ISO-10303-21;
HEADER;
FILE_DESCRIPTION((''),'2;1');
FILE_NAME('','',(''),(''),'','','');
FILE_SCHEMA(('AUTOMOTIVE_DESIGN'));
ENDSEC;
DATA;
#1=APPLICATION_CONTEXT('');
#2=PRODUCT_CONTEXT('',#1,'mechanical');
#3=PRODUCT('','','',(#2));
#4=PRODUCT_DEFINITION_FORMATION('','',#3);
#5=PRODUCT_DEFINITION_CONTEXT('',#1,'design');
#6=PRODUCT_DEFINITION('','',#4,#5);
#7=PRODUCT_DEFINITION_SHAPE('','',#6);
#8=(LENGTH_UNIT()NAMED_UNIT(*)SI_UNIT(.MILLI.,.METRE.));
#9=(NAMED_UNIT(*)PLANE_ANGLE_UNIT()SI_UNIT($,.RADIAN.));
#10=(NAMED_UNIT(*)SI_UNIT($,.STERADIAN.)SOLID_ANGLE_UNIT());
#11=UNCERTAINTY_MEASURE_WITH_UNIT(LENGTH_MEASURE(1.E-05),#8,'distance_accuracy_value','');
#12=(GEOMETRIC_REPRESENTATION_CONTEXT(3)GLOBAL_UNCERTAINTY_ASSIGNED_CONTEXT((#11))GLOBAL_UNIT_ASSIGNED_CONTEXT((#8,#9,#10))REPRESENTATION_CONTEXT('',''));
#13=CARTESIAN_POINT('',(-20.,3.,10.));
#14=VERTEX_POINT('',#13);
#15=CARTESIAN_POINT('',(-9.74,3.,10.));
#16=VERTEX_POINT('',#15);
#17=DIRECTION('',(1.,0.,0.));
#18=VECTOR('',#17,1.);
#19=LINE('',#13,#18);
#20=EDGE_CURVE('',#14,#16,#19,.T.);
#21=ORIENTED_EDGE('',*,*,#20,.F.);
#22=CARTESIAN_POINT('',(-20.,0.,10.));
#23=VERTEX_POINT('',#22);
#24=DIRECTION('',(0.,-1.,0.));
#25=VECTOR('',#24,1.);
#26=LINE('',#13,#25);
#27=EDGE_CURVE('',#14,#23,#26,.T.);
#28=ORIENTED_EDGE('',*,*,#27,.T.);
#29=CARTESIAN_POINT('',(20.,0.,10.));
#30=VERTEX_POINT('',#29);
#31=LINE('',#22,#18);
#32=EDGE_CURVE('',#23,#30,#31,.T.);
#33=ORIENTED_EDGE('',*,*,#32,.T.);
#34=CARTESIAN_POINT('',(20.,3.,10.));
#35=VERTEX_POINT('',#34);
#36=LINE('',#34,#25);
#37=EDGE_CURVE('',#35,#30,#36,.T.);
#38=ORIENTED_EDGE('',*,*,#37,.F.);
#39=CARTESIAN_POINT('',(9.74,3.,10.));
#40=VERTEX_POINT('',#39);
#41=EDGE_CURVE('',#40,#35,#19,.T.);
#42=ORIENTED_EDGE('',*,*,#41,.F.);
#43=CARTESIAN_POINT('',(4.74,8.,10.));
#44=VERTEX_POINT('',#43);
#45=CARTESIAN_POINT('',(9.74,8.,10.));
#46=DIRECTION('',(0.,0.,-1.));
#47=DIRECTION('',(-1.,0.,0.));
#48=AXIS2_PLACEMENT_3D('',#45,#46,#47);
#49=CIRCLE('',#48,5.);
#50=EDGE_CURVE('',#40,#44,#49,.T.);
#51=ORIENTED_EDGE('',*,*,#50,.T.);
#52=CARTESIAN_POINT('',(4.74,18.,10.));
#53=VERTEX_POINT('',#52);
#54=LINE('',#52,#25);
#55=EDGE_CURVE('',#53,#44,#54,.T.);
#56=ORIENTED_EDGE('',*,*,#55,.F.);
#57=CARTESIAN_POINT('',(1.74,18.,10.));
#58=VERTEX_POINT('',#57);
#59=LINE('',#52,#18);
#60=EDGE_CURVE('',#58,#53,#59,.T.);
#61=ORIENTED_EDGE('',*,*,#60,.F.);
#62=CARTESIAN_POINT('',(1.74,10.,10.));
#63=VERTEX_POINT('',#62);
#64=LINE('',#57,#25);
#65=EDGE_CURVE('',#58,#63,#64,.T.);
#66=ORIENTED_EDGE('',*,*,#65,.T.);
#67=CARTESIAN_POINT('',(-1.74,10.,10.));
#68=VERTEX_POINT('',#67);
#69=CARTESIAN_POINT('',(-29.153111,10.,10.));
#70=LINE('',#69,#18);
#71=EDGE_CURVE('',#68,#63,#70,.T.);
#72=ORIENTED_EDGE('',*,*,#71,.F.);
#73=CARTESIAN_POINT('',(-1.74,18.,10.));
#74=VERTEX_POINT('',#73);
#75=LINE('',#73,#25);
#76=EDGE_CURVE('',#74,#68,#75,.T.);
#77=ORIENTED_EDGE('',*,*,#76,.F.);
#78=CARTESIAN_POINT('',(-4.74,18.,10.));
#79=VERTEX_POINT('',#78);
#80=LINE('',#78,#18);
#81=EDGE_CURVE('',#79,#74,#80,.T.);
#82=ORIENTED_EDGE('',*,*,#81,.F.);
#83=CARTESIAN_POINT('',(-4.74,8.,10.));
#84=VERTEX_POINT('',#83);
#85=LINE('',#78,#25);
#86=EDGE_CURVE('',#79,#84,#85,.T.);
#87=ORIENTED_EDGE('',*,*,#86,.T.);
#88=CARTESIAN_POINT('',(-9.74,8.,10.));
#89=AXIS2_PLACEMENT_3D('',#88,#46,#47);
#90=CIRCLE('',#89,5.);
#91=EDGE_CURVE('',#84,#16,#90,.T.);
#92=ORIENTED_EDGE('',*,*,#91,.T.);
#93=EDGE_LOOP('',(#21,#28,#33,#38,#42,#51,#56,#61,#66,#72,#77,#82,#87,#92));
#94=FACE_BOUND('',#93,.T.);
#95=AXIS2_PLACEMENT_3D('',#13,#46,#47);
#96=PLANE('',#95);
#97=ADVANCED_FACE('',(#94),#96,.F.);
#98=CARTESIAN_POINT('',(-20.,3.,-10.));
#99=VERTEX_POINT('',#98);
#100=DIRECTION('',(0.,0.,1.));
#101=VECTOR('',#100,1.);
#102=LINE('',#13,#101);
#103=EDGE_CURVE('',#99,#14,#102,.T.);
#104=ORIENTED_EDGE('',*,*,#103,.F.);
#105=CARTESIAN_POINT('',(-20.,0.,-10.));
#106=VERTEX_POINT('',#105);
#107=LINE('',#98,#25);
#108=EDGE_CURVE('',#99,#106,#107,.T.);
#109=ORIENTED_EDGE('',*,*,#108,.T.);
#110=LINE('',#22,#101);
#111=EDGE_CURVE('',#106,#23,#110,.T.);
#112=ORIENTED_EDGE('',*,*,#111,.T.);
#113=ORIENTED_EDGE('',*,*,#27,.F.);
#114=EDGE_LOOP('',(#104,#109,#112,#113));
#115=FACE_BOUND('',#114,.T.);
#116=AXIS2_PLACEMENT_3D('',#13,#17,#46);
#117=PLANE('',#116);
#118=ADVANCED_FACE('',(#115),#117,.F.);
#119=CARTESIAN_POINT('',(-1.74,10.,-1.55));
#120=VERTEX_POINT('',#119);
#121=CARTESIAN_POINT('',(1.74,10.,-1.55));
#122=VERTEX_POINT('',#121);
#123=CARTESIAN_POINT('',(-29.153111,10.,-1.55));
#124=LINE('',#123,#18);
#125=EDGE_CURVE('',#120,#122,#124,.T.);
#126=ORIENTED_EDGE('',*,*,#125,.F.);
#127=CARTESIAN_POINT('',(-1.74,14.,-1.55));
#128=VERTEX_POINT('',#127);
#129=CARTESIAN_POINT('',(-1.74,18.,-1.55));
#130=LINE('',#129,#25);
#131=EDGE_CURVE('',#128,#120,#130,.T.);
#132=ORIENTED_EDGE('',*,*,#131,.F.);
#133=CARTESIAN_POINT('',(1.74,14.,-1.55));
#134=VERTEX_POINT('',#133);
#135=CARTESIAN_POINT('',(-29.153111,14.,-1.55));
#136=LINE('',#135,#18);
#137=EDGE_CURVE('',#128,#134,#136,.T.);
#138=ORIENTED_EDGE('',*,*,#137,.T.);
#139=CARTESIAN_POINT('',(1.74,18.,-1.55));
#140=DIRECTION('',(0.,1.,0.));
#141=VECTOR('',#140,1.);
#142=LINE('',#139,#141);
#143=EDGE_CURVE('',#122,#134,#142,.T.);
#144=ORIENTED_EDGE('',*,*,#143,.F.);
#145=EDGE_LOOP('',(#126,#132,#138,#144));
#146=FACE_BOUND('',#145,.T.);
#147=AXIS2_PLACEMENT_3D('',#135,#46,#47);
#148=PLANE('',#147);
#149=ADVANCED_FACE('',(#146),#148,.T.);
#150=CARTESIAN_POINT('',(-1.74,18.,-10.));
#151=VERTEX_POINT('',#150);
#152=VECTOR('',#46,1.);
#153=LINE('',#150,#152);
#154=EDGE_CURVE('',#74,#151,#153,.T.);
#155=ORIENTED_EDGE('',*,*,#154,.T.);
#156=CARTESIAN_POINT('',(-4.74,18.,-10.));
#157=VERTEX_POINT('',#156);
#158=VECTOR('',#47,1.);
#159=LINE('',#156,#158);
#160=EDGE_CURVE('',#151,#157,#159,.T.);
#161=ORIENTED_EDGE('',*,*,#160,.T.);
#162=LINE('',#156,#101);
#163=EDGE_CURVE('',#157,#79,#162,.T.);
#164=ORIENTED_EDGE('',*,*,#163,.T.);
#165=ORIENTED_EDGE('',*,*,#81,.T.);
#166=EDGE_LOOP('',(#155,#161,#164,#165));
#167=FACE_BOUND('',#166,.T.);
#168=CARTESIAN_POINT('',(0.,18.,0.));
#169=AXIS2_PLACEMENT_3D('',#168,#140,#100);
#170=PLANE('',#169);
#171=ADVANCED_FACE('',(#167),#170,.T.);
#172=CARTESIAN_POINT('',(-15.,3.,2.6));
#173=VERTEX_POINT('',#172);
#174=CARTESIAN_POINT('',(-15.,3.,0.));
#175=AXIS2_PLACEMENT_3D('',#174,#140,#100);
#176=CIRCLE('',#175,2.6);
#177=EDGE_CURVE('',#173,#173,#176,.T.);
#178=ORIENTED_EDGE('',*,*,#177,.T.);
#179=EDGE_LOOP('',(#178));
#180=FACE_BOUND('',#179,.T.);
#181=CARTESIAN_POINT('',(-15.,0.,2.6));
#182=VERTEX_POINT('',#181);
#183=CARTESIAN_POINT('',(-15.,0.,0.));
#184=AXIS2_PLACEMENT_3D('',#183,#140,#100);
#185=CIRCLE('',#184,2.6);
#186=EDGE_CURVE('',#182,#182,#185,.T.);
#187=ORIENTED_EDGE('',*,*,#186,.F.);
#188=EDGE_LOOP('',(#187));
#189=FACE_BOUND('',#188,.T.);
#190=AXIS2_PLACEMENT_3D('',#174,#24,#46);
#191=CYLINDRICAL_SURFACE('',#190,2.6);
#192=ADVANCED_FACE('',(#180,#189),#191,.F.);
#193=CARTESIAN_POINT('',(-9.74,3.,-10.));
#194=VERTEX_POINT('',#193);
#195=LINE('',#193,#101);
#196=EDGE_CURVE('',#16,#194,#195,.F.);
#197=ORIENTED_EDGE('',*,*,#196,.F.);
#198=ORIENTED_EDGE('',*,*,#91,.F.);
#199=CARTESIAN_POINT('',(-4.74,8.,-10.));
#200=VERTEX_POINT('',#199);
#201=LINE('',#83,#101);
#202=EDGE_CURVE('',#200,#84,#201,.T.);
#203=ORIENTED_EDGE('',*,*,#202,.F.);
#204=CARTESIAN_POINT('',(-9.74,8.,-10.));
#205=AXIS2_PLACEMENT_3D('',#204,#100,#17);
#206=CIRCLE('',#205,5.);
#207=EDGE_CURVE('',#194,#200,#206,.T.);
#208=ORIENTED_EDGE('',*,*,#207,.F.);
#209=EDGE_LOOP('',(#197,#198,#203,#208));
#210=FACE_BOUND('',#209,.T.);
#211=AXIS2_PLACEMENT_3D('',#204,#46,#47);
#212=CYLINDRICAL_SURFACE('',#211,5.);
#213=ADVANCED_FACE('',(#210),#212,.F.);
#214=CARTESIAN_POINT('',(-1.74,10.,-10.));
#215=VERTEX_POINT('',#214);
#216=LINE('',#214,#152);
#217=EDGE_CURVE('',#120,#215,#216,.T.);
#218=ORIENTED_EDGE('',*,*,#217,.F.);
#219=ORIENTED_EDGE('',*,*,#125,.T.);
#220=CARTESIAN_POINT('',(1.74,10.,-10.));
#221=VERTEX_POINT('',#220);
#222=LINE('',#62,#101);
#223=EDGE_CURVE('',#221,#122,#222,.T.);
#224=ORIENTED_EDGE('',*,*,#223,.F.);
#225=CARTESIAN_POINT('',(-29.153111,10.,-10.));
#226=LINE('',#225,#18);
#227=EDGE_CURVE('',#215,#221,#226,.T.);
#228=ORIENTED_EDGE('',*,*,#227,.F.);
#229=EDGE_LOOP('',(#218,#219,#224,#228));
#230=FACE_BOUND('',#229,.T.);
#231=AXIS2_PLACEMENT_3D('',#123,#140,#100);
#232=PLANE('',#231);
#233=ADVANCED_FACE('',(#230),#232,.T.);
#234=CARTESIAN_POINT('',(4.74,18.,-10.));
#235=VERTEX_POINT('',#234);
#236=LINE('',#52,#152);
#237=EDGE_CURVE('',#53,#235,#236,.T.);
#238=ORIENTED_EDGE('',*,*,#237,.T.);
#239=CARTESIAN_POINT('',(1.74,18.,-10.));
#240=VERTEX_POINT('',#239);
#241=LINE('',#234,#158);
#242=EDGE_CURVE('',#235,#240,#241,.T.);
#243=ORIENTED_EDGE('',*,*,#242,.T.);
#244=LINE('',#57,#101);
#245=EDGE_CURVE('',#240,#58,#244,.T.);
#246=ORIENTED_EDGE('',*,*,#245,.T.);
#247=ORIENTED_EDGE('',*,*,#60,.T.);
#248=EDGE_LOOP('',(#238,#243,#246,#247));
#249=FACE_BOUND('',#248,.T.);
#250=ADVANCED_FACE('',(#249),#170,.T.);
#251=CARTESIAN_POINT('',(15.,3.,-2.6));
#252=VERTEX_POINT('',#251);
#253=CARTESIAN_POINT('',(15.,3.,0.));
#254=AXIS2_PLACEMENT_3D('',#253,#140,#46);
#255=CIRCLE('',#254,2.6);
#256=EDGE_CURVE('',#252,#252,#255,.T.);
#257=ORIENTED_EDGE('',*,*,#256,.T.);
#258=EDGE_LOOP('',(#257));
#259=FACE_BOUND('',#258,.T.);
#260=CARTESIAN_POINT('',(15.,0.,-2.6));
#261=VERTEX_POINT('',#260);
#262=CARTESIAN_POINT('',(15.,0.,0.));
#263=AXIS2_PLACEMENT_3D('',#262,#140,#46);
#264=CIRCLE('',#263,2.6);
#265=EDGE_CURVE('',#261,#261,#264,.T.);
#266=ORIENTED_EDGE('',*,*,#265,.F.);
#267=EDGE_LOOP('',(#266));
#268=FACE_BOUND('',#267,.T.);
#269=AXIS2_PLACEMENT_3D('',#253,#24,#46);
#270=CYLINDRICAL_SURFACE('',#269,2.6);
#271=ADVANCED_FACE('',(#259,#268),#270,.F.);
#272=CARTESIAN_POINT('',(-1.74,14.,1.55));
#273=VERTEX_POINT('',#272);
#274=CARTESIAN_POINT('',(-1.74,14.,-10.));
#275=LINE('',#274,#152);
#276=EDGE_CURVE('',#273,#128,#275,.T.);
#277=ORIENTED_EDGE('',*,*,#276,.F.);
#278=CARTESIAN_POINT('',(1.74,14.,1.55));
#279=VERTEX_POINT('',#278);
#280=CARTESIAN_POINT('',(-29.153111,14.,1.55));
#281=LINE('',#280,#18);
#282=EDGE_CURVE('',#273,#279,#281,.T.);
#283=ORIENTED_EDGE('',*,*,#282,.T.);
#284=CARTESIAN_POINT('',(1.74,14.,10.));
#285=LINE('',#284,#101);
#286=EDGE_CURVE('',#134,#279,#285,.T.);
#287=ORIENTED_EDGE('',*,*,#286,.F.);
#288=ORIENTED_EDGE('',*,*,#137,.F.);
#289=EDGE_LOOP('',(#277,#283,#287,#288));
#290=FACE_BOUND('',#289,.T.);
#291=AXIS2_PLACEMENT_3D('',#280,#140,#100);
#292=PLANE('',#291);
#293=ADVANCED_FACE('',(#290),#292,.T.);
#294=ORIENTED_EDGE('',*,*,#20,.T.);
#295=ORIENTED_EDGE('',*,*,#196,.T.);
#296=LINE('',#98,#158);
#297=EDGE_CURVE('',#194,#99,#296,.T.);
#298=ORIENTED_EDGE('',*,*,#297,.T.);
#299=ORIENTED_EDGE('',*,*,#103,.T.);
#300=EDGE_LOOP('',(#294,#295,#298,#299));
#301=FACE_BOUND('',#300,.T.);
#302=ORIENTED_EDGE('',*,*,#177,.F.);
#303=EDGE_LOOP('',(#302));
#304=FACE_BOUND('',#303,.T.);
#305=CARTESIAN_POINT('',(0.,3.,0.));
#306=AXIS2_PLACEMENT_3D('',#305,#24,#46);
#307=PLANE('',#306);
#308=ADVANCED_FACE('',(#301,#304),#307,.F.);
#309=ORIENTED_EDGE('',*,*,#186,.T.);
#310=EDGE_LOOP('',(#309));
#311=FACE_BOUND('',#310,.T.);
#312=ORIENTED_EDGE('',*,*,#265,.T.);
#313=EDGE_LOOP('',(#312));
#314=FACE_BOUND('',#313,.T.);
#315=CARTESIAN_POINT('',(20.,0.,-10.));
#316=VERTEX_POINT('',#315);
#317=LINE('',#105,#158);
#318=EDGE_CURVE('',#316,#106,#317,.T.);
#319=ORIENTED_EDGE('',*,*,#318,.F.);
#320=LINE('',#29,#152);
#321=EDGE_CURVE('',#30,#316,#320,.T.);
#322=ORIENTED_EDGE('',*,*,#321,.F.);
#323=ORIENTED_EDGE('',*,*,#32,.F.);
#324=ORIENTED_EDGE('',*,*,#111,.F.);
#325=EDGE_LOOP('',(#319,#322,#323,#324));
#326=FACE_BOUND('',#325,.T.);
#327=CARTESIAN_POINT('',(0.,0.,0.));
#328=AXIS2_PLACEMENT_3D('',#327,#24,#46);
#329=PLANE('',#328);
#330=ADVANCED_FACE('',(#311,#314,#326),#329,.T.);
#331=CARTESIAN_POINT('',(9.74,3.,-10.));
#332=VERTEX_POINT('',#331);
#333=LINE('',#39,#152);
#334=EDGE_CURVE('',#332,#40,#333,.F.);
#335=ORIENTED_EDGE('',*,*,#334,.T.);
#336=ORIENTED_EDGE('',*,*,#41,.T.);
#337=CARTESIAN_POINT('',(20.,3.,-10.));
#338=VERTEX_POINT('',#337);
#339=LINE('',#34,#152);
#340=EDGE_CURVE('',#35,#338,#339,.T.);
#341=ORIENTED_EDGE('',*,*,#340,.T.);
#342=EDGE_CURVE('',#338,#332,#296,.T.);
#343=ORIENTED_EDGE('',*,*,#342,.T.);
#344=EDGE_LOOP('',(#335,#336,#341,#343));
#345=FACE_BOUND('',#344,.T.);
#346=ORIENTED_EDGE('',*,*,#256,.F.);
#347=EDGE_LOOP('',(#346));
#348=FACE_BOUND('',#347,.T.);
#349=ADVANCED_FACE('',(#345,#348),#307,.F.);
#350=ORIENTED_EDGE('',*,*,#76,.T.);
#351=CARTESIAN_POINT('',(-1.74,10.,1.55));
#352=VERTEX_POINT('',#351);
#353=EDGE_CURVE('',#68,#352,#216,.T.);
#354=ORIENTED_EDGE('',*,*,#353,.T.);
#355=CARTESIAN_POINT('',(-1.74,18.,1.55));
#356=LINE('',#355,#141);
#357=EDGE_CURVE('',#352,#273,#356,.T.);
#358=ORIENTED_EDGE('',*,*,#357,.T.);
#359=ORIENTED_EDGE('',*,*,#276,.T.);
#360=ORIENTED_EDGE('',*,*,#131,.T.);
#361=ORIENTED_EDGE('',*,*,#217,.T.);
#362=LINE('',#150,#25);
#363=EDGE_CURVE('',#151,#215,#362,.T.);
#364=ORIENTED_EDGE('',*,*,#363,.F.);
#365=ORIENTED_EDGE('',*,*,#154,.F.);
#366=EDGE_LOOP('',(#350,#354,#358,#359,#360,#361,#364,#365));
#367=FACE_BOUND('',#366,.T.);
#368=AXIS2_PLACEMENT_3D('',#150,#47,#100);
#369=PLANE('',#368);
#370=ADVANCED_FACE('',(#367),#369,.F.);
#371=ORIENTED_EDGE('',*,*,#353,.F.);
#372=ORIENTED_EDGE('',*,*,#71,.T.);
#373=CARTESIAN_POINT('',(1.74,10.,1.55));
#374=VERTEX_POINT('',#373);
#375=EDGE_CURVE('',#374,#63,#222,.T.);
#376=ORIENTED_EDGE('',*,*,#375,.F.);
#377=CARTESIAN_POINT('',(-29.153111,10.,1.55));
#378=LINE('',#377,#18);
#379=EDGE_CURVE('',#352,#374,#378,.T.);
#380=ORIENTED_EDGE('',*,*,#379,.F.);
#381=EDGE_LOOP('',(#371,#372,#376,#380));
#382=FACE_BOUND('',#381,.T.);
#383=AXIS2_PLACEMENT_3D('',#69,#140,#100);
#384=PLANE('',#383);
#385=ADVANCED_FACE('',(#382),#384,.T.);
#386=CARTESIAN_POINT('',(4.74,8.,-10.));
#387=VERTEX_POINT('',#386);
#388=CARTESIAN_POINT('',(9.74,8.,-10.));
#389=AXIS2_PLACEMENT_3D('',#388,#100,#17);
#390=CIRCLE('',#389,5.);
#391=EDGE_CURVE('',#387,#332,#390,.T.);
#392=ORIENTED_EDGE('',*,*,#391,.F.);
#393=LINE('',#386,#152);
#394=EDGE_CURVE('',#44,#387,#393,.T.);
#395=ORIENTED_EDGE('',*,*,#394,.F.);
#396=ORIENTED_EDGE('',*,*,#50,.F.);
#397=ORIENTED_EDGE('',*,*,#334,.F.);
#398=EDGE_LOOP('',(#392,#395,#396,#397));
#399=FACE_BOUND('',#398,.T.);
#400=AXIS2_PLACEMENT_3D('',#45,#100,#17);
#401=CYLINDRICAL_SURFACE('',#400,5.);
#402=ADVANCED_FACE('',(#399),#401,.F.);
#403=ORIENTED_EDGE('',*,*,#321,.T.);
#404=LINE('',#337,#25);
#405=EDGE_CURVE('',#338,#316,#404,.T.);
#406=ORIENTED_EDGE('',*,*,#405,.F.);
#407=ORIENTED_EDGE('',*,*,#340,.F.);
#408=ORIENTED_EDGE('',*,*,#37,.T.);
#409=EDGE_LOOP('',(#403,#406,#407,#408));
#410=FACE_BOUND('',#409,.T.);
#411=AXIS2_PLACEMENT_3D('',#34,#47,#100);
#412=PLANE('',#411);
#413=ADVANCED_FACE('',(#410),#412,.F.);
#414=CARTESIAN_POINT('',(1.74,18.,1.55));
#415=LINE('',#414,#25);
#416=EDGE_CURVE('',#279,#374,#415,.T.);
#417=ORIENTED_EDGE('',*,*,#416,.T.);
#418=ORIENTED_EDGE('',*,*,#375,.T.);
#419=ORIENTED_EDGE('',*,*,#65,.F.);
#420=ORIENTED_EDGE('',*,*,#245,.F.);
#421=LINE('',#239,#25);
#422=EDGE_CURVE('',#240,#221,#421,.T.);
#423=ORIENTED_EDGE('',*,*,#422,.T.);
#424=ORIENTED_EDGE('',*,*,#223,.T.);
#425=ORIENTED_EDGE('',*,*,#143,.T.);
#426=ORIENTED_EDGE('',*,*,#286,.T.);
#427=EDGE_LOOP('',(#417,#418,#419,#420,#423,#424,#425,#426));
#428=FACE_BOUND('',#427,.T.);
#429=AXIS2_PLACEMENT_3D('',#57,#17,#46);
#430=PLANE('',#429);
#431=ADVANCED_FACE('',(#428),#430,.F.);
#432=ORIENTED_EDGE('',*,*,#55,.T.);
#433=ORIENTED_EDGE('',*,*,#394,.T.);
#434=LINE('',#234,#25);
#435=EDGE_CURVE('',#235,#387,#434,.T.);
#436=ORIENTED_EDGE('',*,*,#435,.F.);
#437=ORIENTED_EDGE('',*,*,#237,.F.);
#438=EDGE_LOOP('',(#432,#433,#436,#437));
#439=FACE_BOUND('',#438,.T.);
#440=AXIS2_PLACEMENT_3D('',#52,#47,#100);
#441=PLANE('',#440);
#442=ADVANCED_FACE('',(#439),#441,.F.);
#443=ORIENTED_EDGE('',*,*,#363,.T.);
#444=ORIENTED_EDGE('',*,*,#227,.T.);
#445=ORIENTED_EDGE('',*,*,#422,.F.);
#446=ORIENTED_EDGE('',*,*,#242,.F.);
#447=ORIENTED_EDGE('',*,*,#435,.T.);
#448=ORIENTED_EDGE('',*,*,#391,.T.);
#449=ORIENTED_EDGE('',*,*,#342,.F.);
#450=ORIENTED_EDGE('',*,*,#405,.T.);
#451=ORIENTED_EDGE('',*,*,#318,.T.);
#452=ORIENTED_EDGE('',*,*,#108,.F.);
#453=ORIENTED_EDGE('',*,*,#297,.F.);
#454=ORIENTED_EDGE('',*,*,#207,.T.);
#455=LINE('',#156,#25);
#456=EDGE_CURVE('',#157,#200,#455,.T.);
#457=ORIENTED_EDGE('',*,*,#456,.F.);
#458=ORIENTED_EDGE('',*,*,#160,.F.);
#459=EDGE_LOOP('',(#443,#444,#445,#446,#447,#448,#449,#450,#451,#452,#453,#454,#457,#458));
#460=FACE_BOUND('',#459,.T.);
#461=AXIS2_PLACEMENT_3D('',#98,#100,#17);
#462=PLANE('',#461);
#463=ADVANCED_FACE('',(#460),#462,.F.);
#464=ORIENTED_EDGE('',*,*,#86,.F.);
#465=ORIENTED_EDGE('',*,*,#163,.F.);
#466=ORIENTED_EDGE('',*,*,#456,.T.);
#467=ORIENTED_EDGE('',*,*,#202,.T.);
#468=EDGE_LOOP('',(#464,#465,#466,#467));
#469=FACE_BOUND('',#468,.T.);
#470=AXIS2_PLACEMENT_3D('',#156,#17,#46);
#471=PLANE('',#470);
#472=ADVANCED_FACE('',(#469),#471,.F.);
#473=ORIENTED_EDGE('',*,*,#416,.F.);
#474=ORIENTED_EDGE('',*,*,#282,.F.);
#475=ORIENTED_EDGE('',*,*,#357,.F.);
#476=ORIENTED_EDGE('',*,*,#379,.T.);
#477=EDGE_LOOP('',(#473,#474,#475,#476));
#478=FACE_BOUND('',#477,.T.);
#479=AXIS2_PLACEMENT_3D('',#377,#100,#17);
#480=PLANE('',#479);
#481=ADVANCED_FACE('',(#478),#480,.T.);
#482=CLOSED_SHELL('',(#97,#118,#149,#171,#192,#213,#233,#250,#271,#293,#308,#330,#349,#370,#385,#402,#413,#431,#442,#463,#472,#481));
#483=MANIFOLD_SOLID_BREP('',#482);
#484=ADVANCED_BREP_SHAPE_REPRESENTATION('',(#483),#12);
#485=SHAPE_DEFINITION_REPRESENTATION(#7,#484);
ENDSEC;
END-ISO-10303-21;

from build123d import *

# Parameters (mm, degrees)
SKETCH3_W           = 40
SKETCH3_H           = 20
SKETCH3_R           = 2.6
JIG_BASE_DEPTH      = 3
SKETCH4_W           = 3
SKETCH4_H           = 20
JIG_WALL_DEPTH      = 15
STRINGER_LOCK_DEPTH = 9.48
BASE_FILET_R        = 5


with BuildPart() as part:
    # Sketch3 → Jig base (new body)
    with BuildSketch(Plane(origin=(0, 0, 0), x_dir=(1, 0, 0), z_dir=(0, 1, 0))):
        Rectangle(SKETCH3_W, SKETCH3_H)
        with Locations(Location((-15, 0, 0), (0, 0, 270))):
            Circle(SKETCH3_R, mode=Mode.SUBTRACT)
        with Locations(Location((15, 0, 0), (0, 0, 90))):
            Circle(SKETCH3_R, mode=Mode.SUBTRACT)
    extrude(amount=JIG_BASE_DEPTH)

    # Sketch4 → jig wall (add)
    with BuildSketch(Plane(origin=(0, 3, 0), x_dir=(1, 0, 0), z_dir=(0, 1, 0))):
        with Locations((-3.24, 0)):
            Rectangle(SKETCH4_W, SKETCH4_H)
        with Locations((3.24, 0)):
            Rectangle(SKETCH4_W, SKETCH4_H)
    extrude(amount=JIG_WALL_DEPTH)

    # Sketch5 → stringer lock (add)
    with BuildSketch(Plane(origin=(4.74, 0, 0), x_dir=(0, 0, -1), z_dir=(1, 0, 0))):
        Polygon((-10, 0), (10, 0), (10, 10), (1.55, 10), (1.55, 14), (-1.55, 14), (-1.55, 10), (-10, 10), align=None)
    extrude(amount=-STRINGER_LOCK_DEPTH)

    # base filet
    base_filet_edges = [part.edges().sort_by_distance(p)[0] for p in [
        (-4.74, 3, 0),
        (4.74, 3, 0),
    ]]
    fillet(base_filet_edges, radius=BASE_FILET_R)


solid = part.part
